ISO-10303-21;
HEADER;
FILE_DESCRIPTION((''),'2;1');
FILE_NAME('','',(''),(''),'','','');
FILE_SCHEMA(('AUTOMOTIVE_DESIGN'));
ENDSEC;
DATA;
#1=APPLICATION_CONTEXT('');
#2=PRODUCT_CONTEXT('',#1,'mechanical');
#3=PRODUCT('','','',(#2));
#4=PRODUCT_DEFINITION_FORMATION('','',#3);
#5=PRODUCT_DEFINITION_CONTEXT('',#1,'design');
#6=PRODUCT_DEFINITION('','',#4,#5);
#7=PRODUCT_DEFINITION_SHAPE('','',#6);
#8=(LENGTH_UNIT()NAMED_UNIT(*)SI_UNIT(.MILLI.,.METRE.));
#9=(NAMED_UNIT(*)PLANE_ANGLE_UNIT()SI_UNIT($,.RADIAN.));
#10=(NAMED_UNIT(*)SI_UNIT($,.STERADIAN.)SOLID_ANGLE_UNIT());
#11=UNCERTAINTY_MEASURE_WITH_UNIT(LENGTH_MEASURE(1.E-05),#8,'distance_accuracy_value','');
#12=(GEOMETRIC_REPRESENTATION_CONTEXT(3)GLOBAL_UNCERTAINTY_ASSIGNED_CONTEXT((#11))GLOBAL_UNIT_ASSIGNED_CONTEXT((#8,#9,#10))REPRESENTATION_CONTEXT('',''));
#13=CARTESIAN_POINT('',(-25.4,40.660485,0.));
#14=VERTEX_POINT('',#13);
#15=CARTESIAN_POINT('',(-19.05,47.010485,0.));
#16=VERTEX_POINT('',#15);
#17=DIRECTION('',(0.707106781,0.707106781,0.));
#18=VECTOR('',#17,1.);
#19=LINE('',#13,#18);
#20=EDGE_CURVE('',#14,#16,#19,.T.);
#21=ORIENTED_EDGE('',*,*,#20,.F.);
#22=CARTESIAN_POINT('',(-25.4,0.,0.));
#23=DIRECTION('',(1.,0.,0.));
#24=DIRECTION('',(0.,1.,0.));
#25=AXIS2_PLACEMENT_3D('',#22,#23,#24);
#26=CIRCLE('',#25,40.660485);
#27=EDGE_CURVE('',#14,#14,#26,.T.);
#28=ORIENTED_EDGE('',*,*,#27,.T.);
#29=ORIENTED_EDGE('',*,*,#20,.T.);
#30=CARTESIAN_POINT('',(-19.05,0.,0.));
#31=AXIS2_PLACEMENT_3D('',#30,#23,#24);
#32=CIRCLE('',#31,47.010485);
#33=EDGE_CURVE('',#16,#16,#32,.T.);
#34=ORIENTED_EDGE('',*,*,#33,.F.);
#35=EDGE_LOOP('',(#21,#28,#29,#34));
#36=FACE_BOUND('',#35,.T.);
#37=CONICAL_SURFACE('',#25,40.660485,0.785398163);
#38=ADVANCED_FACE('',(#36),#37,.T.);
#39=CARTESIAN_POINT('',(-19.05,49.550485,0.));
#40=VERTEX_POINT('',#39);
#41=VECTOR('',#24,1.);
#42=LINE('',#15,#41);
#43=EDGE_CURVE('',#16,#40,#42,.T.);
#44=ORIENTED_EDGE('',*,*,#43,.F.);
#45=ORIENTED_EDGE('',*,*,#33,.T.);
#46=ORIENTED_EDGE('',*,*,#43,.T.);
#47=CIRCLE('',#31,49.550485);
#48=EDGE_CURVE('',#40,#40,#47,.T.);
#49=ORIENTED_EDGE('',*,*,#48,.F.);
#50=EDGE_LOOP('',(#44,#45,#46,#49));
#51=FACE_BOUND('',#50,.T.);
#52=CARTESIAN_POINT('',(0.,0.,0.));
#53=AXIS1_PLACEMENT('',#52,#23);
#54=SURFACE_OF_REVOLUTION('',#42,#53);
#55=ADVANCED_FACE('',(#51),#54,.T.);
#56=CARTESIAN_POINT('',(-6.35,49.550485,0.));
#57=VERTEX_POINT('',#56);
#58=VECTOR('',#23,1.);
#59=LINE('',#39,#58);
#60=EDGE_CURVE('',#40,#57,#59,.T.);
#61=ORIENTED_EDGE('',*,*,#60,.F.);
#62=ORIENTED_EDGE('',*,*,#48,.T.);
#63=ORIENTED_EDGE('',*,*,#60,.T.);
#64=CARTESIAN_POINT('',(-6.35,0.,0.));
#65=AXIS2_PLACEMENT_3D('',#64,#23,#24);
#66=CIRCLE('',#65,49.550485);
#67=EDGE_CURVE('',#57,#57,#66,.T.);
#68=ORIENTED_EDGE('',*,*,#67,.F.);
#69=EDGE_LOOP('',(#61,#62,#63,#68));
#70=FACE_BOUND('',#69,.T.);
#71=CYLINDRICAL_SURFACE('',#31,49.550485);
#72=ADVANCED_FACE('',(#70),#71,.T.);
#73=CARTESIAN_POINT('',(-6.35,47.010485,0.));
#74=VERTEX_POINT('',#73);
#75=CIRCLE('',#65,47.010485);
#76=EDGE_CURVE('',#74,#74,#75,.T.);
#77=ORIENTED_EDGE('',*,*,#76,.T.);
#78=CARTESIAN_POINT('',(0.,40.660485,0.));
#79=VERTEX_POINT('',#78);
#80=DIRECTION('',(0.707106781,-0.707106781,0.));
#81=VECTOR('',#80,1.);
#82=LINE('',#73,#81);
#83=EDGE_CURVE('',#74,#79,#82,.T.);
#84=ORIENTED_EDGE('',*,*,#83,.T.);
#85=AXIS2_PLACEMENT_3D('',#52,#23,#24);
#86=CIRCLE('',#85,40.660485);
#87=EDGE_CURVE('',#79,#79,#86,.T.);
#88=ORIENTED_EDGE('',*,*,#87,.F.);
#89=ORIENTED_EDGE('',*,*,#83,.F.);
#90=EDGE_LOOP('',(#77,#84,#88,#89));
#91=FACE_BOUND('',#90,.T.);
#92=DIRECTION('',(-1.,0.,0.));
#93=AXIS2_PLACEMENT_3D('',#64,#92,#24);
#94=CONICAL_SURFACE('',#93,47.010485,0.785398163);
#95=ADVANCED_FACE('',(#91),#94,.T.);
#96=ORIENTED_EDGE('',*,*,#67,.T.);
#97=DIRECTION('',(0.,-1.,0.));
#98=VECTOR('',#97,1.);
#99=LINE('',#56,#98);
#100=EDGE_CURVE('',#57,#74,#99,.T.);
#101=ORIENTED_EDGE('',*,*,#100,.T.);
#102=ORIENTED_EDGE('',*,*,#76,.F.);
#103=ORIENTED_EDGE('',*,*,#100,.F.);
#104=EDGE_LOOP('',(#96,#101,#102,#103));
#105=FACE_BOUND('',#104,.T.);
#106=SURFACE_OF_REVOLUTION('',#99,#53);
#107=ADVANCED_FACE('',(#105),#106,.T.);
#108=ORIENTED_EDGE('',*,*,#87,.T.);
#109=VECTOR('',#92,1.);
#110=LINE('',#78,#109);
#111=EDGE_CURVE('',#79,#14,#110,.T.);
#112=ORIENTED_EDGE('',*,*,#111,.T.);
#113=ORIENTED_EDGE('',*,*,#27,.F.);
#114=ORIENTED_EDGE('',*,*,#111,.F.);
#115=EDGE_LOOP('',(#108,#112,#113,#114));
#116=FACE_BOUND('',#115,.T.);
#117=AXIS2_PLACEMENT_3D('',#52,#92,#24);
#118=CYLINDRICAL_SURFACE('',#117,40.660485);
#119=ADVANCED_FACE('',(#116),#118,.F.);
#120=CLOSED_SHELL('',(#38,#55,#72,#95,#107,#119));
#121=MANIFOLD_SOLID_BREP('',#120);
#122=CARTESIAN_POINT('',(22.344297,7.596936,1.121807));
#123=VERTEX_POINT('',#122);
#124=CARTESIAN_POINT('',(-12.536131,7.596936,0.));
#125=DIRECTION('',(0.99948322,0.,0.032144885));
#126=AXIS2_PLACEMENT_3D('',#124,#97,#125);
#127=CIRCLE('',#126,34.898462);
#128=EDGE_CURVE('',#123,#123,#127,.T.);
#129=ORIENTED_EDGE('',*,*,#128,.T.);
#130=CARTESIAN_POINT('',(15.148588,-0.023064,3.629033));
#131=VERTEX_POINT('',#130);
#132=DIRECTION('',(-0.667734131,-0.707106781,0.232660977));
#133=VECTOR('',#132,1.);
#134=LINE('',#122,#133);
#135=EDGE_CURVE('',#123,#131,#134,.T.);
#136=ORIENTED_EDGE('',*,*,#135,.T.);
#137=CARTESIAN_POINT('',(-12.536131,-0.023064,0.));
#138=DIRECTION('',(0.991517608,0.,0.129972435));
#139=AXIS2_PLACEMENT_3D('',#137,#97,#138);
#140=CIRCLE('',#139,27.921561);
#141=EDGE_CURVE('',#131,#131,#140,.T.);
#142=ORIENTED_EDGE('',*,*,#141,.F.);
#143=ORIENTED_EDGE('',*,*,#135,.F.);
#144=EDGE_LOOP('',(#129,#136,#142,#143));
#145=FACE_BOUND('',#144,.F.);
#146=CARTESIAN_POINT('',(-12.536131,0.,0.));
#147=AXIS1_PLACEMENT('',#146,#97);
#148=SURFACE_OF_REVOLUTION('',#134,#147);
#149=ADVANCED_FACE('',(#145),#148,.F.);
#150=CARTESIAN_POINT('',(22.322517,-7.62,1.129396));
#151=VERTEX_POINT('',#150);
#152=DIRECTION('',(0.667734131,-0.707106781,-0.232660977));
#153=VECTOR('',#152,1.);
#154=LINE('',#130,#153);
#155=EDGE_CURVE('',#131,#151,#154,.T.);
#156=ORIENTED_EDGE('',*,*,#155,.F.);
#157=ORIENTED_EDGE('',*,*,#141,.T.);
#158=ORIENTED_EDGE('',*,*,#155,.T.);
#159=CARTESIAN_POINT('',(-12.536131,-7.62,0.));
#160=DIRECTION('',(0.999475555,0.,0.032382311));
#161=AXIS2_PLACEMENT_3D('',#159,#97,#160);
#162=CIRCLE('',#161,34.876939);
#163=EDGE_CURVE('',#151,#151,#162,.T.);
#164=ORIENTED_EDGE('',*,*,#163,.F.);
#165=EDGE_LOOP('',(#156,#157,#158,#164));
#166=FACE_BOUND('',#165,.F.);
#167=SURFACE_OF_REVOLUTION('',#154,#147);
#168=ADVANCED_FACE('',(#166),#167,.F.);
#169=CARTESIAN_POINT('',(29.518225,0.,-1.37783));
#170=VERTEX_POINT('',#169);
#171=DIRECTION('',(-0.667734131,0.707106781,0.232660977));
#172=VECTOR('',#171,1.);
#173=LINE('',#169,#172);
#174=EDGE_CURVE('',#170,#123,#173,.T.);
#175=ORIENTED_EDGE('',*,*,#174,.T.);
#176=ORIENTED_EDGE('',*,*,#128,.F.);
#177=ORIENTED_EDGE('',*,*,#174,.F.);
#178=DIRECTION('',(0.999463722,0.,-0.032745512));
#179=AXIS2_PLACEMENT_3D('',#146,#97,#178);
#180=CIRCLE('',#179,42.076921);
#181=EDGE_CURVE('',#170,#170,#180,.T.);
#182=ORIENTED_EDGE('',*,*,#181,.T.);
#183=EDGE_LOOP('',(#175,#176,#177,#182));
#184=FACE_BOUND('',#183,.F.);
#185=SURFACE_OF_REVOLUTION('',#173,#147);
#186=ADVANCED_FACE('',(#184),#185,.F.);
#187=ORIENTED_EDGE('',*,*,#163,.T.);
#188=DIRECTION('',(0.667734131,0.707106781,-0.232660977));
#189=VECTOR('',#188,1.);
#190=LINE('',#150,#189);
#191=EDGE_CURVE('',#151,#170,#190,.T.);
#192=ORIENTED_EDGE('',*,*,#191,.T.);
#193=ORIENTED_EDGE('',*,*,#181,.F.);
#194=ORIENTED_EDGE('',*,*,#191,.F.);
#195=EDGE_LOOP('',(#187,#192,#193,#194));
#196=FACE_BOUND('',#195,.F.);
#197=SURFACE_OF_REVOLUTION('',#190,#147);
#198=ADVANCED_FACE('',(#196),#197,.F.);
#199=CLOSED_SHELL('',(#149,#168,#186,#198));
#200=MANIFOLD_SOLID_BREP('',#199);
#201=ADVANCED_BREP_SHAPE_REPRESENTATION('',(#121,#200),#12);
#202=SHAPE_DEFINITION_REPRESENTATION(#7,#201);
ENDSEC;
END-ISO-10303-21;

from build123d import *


with BuildPart() as f2:
    # F2: sweep along a path in F1
    with BuildLine(Plane.YZ) as f2_path:
        CenterArc((0, 0), 44.45, 0, 360)
    # F0 (on Front) → F2 (sweep)
    with BuildSketch(Plane.XZ):
        Polygon((-6.35, -47.010485), (0, -40.660485), (-25.4, -40.660485), (-19.05, -47.010485), (-19.05, -49.550485), (-6.35, -49.550485), align=None)
    sweep(path=f2_path.line)


with BuildPart() as f5:
    # F5: sweep along a path in F3
    with BuildLine(Plane.XZ) as f5_path:
        CenterArc((-12.536131, 0), 38.1, 0, 360)
    # F4 (on Right) → F5 (sweep)
    with BuildSketch(Plane.YZ):
        Polygon((-7.62, -32.546064), (0, -40.166064), (7.596936, -32.569128), (-0.023064, -24.949128), align=None)
    sweep(path=f5_path.line)


solid = Compound([f2.part, f5.part])
